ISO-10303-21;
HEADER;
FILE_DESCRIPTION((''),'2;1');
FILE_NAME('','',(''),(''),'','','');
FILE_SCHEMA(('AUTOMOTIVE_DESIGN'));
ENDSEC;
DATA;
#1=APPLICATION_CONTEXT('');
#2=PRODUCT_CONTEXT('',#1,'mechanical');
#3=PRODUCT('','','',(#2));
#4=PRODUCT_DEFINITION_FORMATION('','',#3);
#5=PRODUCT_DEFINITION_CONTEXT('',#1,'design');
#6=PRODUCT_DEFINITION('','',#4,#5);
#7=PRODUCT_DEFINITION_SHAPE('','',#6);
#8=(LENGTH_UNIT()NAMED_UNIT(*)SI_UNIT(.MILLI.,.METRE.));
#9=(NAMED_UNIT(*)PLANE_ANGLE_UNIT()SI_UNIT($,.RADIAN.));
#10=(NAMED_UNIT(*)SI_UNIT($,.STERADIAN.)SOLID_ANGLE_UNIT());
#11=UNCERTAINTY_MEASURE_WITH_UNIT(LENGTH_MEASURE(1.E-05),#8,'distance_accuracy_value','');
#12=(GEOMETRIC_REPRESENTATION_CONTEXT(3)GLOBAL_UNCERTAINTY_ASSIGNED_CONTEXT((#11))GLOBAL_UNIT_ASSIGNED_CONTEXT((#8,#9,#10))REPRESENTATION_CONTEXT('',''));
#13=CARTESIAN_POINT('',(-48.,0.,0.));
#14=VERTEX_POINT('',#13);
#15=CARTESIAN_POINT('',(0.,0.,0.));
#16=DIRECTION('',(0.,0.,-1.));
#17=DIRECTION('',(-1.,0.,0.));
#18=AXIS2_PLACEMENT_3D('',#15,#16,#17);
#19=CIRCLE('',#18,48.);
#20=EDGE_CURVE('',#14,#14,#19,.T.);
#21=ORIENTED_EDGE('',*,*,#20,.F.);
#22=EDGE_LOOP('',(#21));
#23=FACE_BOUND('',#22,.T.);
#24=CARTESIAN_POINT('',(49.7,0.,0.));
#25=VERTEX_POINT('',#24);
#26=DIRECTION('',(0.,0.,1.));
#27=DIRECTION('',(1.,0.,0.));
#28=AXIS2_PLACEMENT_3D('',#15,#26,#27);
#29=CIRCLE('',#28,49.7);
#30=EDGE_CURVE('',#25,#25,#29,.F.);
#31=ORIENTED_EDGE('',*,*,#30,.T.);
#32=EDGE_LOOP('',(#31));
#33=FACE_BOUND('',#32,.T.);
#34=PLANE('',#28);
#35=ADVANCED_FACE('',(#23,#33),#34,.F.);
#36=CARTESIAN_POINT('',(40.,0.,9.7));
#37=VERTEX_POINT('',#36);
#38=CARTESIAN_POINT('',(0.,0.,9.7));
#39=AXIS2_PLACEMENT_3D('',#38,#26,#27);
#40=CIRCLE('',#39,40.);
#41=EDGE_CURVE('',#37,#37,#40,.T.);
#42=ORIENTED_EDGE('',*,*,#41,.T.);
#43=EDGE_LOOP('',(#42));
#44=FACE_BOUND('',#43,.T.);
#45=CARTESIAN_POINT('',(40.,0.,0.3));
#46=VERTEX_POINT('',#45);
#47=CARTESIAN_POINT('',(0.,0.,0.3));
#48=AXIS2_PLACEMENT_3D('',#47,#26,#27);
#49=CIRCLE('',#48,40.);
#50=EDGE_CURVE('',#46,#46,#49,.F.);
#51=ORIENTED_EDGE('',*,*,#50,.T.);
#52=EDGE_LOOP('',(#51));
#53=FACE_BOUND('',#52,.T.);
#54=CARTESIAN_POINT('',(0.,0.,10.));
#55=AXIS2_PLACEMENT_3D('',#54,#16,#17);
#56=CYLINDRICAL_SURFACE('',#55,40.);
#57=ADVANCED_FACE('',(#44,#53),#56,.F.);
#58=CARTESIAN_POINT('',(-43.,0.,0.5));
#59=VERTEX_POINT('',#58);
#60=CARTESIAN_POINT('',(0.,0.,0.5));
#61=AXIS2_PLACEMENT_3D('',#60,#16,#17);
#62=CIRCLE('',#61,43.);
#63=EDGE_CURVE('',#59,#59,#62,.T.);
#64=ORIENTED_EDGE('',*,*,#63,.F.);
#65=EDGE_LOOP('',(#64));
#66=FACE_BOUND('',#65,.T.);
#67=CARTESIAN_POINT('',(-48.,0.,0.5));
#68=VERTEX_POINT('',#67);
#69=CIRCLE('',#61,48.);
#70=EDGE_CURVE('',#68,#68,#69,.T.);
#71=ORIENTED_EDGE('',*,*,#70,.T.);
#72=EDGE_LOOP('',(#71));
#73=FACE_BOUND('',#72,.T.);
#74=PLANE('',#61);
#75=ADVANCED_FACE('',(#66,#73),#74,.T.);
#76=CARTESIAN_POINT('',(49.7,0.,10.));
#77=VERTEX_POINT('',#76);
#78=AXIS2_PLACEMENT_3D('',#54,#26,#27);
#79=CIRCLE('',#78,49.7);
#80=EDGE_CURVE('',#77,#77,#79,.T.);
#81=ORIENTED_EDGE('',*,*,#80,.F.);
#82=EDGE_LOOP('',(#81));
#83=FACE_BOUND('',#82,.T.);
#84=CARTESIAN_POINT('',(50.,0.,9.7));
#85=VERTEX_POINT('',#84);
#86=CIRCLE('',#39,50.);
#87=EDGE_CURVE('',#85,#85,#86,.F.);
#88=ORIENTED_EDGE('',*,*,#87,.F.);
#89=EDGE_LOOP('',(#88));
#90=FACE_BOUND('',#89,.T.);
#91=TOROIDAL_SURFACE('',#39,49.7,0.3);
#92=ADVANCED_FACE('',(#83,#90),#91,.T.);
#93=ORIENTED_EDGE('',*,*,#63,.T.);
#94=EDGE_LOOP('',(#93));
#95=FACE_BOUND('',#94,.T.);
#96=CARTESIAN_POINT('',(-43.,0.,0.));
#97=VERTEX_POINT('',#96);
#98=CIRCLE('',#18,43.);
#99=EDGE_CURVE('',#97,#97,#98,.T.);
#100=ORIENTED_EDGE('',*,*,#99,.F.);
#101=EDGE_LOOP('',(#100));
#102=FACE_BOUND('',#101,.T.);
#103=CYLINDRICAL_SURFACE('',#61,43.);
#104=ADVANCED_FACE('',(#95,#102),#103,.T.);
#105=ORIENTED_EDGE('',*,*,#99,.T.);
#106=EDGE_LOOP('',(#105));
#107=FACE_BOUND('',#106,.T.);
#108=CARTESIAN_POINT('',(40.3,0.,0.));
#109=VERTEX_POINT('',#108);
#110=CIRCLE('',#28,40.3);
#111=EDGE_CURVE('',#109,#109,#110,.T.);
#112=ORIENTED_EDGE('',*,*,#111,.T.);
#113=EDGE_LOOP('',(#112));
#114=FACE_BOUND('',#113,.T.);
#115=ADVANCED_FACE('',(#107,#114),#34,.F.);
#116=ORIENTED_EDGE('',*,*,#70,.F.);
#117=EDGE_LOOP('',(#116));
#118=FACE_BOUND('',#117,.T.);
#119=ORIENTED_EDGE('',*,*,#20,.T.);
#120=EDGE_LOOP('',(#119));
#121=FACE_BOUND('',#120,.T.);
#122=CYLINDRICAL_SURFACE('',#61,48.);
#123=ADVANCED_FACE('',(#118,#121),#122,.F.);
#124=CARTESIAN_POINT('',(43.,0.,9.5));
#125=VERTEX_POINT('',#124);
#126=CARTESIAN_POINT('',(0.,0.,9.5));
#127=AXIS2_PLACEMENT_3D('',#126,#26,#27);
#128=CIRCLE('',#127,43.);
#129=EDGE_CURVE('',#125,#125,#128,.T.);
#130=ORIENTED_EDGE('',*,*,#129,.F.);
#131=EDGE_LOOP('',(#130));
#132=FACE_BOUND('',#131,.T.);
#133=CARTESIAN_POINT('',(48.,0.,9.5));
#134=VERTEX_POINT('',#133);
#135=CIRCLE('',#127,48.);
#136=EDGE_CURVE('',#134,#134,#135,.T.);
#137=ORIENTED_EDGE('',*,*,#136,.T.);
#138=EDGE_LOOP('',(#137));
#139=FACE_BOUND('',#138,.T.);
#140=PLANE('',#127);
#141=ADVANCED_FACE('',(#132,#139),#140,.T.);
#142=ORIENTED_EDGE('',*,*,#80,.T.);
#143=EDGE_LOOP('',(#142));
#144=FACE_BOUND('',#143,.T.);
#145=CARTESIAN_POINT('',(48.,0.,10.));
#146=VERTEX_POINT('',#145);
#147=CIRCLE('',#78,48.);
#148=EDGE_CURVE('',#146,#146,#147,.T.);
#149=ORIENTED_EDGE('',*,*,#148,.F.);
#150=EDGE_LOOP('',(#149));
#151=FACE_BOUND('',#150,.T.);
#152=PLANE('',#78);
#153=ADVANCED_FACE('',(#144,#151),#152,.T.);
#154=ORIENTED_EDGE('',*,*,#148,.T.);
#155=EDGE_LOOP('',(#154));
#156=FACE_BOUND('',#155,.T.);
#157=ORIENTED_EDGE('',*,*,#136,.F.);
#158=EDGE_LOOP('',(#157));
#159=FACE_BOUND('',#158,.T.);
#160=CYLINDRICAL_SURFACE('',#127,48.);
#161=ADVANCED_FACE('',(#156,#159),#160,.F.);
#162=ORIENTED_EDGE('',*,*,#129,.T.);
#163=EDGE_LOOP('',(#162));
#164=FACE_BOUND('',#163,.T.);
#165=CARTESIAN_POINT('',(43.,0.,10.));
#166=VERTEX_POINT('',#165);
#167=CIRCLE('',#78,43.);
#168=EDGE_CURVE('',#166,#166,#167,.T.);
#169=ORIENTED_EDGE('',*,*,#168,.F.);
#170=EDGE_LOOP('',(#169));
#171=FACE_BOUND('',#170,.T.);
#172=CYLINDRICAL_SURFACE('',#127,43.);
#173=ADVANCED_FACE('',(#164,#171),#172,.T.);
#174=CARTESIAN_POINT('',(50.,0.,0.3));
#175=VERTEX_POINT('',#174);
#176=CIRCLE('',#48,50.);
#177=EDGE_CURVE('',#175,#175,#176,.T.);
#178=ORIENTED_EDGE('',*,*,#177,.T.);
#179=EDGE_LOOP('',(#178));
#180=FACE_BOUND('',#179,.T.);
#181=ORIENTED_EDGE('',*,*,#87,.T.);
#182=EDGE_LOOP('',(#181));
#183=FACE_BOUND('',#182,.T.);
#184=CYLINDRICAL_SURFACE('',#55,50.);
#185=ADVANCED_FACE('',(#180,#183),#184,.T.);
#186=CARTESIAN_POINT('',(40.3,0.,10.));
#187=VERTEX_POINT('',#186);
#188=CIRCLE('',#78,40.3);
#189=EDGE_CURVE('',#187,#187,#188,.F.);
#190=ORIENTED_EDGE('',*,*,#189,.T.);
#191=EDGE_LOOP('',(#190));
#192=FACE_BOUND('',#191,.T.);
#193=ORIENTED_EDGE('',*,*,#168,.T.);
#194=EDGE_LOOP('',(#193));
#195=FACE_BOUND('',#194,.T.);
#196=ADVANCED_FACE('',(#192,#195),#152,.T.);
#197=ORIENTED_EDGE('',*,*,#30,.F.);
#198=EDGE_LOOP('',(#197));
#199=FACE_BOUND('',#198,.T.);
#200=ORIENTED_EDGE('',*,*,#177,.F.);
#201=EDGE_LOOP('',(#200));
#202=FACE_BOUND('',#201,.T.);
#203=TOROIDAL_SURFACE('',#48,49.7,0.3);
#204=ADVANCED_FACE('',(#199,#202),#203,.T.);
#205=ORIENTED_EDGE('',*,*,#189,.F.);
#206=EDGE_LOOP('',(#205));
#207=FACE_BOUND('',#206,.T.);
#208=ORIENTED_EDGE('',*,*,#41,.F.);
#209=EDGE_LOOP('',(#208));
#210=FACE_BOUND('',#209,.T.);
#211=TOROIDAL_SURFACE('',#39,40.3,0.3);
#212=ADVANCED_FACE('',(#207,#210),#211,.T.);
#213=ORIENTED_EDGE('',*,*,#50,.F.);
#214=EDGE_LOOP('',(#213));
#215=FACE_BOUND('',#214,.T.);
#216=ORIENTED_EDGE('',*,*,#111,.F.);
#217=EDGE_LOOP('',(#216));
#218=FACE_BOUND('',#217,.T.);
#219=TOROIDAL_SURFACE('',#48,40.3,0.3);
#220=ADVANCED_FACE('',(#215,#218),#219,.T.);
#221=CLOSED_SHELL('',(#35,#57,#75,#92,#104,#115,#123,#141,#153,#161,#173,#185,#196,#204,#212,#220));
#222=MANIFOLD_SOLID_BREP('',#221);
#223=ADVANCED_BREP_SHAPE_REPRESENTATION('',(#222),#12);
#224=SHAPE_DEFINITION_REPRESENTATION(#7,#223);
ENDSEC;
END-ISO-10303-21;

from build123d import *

# Parameters (mm, degrees)
ESQUISSE1_R             = 50
ESQUISSE1_R_2           = 40
BOSS_EXTRU_1_DEPTH      = 10
ESQUISSE2_R             = 48
ESQUISSE2_R_2           = 43
ENL_V_MAT_EXTRU_1_DEPTH = 0.5
ESQUISSE3_R             = 48
ESQUISSE3_R_2           = 43
ENL_V_MAT_EXTRU_2_DEPTH = 0.5
CONG_1_R                = 0.3


with BuildPart() as part:
    # Esquisse1 → Boss.-Extru.1 (new body)
    with BuildSketch(Plane.XY):
        Circle(ESQUISSE1_R)
        Circle(ESQUISSE1_R_2, mode=Mode.SUBTRACT)
    extrude(amount=BOSS_EXTRU_1_DEPTH)

    # Esquisse2 → Enlèv. mat.-Extru.1 (cut)
    with BuildSketch(Plane.XY.offset(10)):
        Circle(ESQUISSE2_R)
        Circle(ESQUISSE2_R_2, mode=Mode.SUBTRACT)
    extrude(amount=-ENL_V_MAT_EXTRU_1_DEPTH, mode=Mode.SUBTRACT)

    # Esquisse3 → Enlèv. mat.-Extru.2 (cut)
    with BuildSketch(Plane(origin=(0, 0, 0), x_dir=(-1, 0, 0), z_dir=(0, 0, -1))):
        Circle(ESQUISSE3_R)
        Circle(ESQUISSE3_R_2, mode=Mode.SUBTRACT)
    extrude(amount=-ENL_V_MAT_EXTRU_2_DEPTH, mode=Mode.SUBTRACT)

    # Congé1
    cong_1_edges = [part.edges().sort_by_distance(p)[0] for p in [
        (-50, 0, 0),
        (-50, 0, 10),
        (-40, 0, 0),
        (-40, 0, 10),
    ]]
    fillet(cong_1_edges, radius=CONG_1_R)


solid = part.part
